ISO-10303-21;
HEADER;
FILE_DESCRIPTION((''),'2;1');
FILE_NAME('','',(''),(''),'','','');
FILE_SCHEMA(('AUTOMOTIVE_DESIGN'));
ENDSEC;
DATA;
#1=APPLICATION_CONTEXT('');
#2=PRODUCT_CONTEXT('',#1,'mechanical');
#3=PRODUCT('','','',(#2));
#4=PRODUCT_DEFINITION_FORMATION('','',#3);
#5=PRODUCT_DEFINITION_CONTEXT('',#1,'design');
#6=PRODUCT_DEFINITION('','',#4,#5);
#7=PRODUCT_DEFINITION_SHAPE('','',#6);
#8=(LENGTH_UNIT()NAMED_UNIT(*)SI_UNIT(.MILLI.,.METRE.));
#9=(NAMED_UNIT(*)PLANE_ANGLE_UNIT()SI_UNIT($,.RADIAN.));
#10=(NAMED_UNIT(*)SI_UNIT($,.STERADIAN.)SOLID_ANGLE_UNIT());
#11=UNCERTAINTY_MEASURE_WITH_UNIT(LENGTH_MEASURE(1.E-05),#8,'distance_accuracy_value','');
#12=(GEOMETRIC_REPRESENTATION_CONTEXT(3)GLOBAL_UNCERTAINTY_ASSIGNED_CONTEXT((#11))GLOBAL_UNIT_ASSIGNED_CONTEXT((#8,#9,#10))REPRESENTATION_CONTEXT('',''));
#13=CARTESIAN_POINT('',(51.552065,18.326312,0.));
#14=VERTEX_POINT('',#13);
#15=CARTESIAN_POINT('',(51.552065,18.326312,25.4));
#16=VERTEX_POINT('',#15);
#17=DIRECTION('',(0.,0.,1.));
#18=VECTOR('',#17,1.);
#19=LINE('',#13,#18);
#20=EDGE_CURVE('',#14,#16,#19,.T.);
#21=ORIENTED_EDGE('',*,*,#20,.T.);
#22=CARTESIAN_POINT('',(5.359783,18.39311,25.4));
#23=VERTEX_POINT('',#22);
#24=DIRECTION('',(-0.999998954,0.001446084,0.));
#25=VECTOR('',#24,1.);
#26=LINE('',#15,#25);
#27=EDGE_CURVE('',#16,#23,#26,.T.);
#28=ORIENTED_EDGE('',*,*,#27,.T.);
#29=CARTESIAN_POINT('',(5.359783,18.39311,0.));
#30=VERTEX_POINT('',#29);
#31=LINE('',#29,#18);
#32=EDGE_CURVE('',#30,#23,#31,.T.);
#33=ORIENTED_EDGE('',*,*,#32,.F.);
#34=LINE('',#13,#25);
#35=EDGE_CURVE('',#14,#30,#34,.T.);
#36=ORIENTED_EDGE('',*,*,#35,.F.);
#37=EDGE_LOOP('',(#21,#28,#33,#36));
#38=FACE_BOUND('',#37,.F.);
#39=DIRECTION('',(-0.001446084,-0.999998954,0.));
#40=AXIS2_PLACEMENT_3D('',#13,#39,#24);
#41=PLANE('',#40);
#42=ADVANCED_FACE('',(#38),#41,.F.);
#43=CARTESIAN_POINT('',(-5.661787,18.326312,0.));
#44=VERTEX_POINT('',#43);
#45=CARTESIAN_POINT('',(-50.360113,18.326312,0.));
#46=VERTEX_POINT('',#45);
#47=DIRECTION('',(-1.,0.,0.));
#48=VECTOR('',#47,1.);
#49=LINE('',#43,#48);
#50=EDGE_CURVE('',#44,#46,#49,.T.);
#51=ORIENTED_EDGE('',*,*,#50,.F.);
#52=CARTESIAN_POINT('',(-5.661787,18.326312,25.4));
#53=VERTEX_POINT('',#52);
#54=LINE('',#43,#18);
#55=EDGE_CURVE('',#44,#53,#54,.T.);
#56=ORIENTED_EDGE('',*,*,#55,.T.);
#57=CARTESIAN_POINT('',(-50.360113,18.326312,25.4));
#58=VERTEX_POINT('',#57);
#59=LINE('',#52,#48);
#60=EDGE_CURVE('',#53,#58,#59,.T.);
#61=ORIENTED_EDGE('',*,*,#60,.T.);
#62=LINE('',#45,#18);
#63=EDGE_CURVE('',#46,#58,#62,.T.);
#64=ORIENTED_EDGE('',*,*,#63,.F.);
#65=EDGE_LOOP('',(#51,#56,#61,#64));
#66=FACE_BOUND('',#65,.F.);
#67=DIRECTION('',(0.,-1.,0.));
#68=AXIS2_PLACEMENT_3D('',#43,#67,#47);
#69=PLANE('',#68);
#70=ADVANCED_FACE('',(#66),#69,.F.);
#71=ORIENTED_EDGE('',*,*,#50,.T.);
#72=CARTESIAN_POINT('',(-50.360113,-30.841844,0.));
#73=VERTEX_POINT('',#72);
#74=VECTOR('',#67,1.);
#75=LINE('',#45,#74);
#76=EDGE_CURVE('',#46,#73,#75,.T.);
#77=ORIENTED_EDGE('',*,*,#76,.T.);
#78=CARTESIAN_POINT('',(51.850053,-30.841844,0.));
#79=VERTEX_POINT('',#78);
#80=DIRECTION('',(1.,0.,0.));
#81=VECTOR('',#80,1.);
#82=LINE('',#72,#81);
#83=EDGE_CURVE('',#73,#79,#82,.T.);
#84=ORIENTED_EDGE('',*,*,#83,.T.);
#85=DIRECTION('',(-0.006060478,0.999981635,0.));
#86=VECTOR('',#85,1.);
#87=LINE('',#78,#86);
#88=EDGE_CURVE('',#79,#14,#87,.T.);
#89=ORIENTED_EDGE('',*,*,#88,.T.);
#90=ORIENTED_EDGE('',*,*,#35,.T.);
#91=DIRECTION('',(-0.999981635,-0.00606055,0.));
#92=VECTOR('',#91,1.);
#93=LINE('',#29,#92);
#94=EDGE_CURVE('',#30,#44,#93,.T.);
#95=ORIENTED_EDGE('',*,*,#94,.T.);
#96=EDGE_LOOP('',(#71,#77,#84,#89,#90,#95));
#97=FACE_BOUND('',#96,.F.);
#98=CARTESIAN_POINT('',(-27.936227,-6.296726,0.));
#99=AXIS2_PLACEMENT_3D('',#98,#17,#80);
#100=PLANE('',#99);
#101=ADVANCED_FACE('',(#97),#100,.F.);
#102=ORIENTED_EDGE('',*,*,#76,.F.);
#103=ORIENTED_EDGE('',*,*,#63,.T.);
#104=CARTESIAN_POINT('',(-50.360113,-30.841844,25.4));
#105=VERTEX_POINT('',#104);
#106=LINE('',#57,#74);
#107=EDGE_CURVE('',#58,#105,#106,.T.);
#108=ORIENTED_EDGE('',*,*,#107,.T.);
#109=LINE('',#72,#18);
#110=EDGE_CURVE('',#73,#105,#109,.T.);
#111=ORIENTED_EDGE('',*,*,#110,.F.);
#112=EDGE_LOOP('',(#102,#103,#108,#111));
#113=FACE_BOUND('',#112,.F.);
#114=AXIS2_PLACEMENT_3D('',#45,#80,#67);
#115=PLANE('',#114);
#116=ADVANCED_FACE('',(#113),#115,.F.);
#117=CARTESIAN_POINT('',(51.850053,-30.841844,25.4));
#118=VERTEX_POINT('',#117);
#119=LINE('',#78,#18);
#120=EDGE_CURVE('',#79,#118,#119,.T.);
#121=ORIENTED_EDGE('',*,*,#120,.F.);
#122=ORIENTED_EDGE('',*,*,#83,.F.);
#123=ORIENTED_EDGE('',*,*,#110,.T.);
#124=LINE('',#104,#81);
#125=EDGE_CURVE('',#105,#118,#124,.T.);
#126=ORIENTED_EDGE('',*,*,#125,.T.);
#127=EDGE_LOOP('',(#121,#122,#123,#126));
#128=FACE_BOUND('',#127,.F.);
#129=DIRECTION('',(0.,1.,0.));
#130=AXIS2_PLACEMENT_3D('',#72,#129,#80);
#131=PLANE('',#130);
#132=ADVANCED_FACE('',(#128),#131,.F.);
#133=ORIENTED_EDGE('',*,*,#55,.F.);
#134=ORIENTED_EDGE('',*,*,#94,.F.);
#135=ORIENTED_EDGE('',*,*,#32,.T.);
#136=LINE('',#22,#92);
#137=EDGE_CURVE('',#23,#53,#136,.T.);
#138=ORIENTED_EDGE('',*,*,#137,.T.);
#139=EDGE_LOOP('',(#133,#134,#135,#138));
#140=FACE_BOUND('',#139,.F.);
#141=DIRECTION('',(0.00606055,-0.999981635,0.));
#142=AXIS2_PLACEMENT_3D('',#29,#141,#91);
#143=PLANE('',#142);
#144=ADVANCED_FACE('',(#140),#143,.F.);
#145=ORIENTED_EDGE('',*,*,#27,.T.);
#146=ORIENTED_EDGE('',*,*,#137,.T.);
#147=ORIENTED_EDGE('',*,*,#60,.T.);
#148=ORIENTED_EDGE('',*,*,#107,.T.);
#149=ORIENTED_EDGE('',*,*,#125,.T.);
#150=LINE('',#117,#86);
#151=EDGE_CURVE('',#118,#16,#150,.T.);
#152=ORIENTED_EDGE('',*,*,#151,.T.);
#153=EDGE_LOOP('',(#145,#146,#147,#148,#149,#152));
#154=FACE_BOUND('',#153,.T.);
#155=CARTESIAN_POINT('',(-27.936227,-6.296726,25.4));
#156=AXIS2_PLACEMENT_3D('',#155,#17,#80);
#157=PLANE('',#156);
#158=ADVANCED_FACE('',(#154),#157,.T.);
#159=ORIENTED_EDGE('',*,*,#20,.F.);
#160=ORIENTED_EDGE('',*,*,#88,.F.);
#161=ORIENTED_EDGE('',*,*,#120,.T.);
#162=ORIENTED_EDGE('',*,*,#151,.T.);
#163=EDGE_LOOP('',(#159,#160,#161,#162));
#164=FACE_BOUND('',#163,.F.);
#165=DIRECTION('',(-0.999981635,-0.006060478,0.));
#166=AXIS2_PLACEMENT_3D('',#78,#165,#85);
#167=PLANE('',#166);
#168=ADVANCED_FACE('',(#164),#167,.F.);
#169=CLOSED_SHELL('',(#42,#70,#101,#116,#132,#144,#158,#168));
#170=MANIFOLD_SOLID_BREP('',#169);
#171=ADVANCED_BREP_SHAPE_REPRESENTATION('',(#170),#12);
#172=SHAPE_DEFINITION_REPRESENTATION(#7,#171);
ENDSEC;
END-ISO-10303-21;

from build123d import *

# Parameters (mm, degrees)
F1_DEPTH = 25.4


with BuildPart() as f1:
    # F0 (on Top) → F1 (new body)
    with BuildSketch(Plane.XY):
        Polygon((-5.363799, -30.841844), (-5.661787, 18.326312), (-50.360113, 18.326312), (-50.360113, -30.841844), align=None)
        Polygon((5.359783, 18.39311), (-5.661787, 18.326312), (-5.363799, -30.841844), (5.658176, -30.841844), align=None)
        Polygon((51.552065, 18.326312), (5.359783, 18.39311), (5.658176, -30.841844), (51.850053, -30.841844), align=None)
    extrude(amount=F1_DEPTH)


solid = f1.part
